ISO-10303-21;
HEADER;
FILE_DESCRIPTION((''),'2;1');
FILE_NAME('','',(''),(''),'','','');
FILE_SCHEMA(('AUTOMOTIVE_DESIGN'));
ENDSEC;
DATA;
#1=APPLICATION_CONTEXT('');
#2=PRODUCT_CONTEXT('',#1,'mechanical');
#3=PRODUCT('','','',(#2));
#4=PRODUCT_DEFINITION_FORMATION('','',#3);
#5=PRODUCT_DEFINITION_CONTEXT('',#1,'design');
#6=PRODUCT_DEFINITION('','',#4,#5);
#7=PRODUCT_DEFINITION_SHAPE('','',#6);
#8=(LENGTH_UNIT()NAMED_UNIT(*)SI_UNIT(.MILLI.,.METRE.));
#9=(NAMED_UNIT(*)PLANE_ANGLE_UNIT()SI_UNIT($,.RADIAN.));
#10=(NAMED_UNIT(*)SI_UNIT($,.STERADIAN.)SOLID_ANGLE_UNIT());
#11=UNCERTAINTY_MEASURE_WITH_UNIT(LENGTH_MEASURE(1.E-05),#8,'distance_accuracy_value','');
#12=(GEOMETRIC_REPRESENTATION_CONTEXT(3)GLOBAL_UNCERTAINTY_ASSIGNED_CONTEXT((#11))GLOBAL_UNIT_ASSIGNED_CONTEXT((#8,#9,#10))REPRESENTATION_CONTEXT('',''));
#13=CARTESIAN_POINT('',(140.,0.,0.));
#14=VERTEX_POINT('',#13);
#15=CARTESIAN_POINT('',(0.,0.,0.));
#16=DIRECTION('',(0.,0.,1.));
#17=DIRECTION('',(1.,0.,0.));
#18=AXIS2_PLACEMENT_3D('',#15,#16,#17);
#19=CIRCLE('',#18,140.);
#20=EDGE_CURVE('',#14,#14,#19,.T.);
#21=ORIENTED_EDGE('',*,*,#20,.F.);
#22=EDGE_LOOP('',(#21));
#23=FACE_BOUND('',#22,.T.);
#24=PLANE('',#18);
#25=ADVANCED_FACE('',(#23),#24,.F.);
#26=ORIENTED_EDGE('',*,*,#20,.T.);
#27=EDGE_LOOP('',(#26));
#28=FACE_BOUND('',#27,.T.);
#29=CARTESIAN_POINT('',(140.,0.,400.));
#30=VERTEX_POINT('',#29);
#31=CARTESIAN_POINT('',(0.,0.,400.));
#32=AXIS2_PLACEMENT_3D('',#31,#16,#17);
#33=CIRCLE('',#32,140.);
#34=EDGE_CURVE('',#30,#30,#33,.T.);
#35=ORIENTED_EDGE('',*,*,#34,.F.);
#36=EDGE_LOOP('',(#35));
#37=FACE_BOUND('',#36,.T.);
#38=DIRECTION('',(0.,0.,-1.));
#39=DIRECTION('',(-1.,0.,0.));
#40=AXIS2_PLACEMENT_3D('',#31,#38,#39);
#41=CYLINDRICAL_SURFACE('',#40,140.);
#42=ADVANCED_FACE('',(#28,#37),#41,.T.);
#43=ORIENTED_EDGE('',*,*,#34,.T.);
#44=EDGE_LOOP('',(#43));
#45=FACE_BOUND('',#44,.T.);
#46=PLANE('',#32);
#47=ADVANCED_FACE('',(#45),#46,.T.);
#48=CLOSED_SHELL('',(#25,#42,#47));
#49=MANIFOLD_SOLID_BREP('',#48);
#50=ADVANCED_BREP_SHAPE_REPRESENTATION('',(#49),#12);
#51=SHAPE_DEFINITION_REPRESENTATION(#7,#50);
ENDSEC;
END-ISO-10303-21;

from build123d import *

# Parameters (mm, degrees)
SKETCH_1_R      = 140
EXTRUDE_1_DEPTH = 400


with BuildPart() as part:
    # 草图1 → 凸台-拉伸1 (new body)
    with BuildSketch(Plane.XY):
        Circle(SKETCH_1_R)
    extrude(amount=EXTRUDE_1_DEPTH)


solid = part.part
